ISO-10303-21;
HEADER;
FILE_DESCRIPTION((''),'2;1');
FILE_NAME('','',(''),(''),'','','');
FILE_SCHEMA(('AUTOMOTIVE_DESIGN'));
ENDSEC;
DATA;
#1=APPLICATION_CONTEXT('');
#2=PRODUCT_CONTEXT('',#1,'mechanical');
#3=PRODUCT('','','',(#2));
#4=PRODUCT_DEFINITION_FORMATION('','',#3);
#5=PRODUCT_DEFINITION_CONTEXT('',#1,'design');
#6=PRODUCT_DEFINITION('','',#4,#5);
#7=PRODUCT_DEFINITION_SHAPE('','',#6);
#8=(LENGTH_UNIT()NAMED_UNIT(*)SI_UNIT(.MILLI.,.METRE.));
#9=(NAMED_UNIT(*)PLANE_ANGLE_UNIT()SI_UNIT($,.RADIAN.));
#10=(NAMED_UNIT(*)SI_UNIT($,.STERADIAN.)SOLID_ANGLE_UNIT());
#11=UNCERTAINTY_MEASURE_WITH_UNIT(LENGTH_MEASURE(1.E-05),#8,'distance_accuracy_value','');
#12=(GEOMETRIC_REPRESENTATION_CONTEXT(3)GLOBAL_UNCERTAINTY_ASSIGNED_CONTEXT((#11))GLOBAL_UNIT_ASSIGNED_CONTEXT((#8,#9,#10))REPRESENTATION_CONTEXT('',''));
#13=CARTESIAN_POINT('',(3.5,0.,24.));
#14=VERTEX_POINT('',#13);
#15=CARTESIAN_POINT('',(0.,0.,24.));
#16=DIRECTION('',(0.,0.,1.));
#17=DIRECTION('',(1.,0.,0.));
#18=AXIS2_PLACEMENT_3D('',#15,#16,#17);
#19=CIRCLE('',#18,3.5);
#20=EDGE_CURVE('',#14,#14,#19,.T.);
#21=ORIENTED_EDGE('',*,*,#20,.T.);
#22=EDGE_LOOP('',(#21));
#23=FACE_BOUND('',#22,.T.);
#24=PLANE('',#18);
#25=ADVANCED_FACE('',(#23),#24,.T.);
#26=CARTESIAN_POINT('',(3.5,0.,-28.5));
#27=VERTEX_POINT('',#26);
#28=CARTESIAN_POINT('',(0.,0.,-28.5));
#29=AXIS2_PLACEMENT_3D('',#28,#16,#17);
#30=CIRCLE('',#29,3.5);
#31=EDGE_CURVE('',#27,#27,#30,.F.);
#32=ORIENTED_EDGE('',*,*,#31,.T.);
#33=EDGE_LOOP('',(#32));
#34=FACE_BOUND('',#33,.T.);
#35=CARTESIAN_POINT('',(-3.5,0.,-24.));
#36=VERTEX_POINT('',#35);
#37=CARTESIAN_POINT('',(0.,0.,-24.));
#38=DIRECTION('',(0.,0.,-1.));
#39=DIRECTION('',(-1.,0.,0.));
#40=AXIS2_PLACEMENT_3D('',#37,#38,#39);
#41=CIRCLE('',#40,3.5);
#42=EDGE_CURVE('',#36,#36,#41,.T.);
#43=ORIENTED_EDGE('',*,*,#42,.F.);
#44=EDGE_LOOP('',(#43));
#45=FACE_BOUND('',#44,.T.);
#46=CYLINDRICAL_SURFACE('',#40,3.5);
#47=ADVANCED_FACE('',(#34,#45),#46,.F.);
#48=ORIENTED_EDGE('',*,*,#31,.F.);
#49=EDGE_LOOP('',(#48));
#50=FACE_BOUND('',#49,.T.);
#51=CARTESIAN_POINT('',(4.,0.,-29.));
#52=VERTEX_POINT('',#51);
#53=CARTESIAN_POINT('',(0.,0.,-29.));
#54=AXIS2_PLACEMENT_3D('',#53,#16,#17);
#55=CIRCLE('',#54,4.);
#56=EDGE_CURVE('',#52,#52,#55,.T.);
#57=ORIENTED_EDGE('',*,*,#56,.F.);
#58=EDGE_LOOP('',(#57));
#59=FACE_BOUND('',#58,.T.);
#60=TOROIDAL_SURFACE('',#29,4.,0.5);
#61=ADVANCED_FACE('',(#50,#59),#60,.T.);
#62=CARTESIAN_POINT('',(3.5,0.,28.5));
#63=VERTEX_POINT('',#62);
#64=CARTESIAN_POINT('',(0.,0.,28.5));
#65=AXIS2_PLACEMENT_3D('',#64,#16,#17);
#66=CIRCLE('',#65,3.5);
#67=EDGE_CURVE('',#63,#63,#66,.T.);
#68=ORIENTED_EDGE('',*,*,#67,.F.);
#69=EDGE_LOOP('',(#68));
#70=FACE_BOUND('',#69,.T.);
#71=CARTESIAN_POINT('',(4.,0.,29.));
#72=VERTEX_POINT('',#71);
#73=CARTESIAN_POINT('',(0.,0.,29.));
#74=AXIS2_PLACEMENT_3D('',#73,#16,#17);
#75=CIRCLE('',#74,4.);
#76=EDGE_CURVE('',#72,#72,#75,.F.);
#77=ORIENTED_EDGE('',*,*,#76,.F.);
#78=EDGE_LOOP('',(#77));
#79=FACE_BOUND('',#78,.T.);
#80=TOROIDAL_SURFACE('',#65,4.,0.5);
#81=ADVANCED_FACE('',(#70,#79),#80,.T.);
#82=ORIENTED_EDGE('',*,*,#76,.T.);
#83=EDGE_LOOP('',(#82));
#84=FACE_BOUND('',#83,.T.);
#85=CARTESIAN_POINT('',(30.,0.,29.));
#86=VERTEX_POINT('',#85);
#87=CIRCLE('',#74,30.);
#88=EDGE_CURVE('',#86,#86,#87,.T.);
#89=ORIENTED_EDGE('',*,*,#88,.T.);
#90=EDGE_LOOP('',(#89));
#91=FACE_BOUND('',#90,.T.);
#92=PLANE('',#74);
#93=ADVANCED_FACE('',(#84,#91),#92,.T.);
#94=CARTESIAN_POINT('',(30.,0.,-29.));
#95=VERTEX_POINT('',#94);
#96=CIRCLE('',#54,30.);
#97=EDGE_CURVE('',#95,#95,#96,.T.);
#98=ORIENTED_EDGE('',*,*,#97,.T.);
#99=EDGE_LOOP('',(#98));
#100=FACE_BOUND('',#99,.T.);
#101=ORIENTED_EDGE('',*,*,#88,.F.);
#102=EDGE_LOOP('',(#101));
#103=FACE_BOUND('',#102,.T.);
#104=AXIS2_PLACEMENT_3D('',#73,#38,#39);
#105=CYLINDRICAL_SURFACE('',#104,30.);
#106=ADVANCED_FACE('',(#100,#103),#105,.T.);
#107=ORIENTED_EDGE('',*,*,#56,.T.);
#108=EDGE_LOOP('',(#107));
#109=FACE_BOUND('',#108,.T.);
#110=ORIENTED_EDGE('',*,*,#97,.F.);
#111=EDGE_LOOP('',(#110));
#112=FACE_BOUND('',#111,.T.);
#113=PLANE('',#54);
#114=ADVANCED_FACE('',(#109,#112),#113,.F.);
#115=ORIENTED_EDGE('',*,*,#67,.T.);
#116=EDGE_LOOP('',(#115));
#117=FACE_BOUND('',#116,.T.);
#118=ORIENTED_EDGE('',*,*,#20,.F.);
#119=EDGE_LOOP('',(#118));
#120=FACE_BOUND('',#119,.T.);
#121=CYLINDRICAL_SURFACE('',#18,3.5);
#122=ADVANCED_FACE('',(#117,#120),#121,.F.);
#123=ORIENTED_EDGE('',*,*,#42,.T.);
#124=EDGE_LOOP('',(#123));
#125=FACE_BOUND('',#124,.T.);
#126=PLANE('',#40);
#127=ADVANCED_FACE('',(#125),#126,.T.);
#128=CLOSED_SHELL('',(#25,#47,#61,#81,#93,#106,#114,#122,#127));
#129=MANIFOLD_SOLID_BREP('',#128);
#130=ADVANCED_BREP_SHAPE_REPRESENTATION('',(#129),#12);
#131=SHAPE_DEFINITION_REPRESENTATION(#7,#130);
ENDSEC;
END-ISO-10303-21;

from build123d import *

# Parameters (mm, degrees)
SKETCH21_R           = 30
BOSS_EXTRUDE14_DEPTH = 29
SKETCH24_R           = 3.5
CUT_EXTRUDE1_DEPTH   = 5
SKETCH25_R           = 3.5
CUT_EXTRUDE2_DEPTH   = 5
FILLET1_R            = 0.5


with BuildPart() as part:
    # Sketch21 → Boss-Extrude14 (new body, symmetric)
    with BuildSketch(Plane.XY):
        Circle(SKETCH21_R)
    extrude(amount=BOSS_EXTRUDE14_DEPTH, both=True)

    # Sketch24 → Cut-Extrude1 (cut)
    with BuildSketch(Plane(origin=(0, 0, -29), x_dir=(-1, 0, 0), z_dir=(0, 0, -1))):
        Circle(SKETCH24_R)
    extrude(amount=-CUT_EXTRUDE1_DEPTH, mode=Mode.SUBTRACT)

    # Sketch25 → Cut-Extrude2 (cut)
    with BuildSketch(Plane.XY.offset(29)):
        with Locations(Location((0, 0, 0), (0, 0, 180))):  # turned: the seam where the file's is
            Circle(SKETCH25_R)
    extrude(amount=-CUT_EXTRUDE2_DEPTH, mode=Mode.SUBTRACT)

    # Fillet1
    fillet1_edges = [part.edges().sort_by_distance(p)[0] for p in [
        (3.5, 0, 29),
        (3.5, 0, -29),
    ]]
    fillet(fillet1_edges, radius=FILLET1_R)


solid = part.part
